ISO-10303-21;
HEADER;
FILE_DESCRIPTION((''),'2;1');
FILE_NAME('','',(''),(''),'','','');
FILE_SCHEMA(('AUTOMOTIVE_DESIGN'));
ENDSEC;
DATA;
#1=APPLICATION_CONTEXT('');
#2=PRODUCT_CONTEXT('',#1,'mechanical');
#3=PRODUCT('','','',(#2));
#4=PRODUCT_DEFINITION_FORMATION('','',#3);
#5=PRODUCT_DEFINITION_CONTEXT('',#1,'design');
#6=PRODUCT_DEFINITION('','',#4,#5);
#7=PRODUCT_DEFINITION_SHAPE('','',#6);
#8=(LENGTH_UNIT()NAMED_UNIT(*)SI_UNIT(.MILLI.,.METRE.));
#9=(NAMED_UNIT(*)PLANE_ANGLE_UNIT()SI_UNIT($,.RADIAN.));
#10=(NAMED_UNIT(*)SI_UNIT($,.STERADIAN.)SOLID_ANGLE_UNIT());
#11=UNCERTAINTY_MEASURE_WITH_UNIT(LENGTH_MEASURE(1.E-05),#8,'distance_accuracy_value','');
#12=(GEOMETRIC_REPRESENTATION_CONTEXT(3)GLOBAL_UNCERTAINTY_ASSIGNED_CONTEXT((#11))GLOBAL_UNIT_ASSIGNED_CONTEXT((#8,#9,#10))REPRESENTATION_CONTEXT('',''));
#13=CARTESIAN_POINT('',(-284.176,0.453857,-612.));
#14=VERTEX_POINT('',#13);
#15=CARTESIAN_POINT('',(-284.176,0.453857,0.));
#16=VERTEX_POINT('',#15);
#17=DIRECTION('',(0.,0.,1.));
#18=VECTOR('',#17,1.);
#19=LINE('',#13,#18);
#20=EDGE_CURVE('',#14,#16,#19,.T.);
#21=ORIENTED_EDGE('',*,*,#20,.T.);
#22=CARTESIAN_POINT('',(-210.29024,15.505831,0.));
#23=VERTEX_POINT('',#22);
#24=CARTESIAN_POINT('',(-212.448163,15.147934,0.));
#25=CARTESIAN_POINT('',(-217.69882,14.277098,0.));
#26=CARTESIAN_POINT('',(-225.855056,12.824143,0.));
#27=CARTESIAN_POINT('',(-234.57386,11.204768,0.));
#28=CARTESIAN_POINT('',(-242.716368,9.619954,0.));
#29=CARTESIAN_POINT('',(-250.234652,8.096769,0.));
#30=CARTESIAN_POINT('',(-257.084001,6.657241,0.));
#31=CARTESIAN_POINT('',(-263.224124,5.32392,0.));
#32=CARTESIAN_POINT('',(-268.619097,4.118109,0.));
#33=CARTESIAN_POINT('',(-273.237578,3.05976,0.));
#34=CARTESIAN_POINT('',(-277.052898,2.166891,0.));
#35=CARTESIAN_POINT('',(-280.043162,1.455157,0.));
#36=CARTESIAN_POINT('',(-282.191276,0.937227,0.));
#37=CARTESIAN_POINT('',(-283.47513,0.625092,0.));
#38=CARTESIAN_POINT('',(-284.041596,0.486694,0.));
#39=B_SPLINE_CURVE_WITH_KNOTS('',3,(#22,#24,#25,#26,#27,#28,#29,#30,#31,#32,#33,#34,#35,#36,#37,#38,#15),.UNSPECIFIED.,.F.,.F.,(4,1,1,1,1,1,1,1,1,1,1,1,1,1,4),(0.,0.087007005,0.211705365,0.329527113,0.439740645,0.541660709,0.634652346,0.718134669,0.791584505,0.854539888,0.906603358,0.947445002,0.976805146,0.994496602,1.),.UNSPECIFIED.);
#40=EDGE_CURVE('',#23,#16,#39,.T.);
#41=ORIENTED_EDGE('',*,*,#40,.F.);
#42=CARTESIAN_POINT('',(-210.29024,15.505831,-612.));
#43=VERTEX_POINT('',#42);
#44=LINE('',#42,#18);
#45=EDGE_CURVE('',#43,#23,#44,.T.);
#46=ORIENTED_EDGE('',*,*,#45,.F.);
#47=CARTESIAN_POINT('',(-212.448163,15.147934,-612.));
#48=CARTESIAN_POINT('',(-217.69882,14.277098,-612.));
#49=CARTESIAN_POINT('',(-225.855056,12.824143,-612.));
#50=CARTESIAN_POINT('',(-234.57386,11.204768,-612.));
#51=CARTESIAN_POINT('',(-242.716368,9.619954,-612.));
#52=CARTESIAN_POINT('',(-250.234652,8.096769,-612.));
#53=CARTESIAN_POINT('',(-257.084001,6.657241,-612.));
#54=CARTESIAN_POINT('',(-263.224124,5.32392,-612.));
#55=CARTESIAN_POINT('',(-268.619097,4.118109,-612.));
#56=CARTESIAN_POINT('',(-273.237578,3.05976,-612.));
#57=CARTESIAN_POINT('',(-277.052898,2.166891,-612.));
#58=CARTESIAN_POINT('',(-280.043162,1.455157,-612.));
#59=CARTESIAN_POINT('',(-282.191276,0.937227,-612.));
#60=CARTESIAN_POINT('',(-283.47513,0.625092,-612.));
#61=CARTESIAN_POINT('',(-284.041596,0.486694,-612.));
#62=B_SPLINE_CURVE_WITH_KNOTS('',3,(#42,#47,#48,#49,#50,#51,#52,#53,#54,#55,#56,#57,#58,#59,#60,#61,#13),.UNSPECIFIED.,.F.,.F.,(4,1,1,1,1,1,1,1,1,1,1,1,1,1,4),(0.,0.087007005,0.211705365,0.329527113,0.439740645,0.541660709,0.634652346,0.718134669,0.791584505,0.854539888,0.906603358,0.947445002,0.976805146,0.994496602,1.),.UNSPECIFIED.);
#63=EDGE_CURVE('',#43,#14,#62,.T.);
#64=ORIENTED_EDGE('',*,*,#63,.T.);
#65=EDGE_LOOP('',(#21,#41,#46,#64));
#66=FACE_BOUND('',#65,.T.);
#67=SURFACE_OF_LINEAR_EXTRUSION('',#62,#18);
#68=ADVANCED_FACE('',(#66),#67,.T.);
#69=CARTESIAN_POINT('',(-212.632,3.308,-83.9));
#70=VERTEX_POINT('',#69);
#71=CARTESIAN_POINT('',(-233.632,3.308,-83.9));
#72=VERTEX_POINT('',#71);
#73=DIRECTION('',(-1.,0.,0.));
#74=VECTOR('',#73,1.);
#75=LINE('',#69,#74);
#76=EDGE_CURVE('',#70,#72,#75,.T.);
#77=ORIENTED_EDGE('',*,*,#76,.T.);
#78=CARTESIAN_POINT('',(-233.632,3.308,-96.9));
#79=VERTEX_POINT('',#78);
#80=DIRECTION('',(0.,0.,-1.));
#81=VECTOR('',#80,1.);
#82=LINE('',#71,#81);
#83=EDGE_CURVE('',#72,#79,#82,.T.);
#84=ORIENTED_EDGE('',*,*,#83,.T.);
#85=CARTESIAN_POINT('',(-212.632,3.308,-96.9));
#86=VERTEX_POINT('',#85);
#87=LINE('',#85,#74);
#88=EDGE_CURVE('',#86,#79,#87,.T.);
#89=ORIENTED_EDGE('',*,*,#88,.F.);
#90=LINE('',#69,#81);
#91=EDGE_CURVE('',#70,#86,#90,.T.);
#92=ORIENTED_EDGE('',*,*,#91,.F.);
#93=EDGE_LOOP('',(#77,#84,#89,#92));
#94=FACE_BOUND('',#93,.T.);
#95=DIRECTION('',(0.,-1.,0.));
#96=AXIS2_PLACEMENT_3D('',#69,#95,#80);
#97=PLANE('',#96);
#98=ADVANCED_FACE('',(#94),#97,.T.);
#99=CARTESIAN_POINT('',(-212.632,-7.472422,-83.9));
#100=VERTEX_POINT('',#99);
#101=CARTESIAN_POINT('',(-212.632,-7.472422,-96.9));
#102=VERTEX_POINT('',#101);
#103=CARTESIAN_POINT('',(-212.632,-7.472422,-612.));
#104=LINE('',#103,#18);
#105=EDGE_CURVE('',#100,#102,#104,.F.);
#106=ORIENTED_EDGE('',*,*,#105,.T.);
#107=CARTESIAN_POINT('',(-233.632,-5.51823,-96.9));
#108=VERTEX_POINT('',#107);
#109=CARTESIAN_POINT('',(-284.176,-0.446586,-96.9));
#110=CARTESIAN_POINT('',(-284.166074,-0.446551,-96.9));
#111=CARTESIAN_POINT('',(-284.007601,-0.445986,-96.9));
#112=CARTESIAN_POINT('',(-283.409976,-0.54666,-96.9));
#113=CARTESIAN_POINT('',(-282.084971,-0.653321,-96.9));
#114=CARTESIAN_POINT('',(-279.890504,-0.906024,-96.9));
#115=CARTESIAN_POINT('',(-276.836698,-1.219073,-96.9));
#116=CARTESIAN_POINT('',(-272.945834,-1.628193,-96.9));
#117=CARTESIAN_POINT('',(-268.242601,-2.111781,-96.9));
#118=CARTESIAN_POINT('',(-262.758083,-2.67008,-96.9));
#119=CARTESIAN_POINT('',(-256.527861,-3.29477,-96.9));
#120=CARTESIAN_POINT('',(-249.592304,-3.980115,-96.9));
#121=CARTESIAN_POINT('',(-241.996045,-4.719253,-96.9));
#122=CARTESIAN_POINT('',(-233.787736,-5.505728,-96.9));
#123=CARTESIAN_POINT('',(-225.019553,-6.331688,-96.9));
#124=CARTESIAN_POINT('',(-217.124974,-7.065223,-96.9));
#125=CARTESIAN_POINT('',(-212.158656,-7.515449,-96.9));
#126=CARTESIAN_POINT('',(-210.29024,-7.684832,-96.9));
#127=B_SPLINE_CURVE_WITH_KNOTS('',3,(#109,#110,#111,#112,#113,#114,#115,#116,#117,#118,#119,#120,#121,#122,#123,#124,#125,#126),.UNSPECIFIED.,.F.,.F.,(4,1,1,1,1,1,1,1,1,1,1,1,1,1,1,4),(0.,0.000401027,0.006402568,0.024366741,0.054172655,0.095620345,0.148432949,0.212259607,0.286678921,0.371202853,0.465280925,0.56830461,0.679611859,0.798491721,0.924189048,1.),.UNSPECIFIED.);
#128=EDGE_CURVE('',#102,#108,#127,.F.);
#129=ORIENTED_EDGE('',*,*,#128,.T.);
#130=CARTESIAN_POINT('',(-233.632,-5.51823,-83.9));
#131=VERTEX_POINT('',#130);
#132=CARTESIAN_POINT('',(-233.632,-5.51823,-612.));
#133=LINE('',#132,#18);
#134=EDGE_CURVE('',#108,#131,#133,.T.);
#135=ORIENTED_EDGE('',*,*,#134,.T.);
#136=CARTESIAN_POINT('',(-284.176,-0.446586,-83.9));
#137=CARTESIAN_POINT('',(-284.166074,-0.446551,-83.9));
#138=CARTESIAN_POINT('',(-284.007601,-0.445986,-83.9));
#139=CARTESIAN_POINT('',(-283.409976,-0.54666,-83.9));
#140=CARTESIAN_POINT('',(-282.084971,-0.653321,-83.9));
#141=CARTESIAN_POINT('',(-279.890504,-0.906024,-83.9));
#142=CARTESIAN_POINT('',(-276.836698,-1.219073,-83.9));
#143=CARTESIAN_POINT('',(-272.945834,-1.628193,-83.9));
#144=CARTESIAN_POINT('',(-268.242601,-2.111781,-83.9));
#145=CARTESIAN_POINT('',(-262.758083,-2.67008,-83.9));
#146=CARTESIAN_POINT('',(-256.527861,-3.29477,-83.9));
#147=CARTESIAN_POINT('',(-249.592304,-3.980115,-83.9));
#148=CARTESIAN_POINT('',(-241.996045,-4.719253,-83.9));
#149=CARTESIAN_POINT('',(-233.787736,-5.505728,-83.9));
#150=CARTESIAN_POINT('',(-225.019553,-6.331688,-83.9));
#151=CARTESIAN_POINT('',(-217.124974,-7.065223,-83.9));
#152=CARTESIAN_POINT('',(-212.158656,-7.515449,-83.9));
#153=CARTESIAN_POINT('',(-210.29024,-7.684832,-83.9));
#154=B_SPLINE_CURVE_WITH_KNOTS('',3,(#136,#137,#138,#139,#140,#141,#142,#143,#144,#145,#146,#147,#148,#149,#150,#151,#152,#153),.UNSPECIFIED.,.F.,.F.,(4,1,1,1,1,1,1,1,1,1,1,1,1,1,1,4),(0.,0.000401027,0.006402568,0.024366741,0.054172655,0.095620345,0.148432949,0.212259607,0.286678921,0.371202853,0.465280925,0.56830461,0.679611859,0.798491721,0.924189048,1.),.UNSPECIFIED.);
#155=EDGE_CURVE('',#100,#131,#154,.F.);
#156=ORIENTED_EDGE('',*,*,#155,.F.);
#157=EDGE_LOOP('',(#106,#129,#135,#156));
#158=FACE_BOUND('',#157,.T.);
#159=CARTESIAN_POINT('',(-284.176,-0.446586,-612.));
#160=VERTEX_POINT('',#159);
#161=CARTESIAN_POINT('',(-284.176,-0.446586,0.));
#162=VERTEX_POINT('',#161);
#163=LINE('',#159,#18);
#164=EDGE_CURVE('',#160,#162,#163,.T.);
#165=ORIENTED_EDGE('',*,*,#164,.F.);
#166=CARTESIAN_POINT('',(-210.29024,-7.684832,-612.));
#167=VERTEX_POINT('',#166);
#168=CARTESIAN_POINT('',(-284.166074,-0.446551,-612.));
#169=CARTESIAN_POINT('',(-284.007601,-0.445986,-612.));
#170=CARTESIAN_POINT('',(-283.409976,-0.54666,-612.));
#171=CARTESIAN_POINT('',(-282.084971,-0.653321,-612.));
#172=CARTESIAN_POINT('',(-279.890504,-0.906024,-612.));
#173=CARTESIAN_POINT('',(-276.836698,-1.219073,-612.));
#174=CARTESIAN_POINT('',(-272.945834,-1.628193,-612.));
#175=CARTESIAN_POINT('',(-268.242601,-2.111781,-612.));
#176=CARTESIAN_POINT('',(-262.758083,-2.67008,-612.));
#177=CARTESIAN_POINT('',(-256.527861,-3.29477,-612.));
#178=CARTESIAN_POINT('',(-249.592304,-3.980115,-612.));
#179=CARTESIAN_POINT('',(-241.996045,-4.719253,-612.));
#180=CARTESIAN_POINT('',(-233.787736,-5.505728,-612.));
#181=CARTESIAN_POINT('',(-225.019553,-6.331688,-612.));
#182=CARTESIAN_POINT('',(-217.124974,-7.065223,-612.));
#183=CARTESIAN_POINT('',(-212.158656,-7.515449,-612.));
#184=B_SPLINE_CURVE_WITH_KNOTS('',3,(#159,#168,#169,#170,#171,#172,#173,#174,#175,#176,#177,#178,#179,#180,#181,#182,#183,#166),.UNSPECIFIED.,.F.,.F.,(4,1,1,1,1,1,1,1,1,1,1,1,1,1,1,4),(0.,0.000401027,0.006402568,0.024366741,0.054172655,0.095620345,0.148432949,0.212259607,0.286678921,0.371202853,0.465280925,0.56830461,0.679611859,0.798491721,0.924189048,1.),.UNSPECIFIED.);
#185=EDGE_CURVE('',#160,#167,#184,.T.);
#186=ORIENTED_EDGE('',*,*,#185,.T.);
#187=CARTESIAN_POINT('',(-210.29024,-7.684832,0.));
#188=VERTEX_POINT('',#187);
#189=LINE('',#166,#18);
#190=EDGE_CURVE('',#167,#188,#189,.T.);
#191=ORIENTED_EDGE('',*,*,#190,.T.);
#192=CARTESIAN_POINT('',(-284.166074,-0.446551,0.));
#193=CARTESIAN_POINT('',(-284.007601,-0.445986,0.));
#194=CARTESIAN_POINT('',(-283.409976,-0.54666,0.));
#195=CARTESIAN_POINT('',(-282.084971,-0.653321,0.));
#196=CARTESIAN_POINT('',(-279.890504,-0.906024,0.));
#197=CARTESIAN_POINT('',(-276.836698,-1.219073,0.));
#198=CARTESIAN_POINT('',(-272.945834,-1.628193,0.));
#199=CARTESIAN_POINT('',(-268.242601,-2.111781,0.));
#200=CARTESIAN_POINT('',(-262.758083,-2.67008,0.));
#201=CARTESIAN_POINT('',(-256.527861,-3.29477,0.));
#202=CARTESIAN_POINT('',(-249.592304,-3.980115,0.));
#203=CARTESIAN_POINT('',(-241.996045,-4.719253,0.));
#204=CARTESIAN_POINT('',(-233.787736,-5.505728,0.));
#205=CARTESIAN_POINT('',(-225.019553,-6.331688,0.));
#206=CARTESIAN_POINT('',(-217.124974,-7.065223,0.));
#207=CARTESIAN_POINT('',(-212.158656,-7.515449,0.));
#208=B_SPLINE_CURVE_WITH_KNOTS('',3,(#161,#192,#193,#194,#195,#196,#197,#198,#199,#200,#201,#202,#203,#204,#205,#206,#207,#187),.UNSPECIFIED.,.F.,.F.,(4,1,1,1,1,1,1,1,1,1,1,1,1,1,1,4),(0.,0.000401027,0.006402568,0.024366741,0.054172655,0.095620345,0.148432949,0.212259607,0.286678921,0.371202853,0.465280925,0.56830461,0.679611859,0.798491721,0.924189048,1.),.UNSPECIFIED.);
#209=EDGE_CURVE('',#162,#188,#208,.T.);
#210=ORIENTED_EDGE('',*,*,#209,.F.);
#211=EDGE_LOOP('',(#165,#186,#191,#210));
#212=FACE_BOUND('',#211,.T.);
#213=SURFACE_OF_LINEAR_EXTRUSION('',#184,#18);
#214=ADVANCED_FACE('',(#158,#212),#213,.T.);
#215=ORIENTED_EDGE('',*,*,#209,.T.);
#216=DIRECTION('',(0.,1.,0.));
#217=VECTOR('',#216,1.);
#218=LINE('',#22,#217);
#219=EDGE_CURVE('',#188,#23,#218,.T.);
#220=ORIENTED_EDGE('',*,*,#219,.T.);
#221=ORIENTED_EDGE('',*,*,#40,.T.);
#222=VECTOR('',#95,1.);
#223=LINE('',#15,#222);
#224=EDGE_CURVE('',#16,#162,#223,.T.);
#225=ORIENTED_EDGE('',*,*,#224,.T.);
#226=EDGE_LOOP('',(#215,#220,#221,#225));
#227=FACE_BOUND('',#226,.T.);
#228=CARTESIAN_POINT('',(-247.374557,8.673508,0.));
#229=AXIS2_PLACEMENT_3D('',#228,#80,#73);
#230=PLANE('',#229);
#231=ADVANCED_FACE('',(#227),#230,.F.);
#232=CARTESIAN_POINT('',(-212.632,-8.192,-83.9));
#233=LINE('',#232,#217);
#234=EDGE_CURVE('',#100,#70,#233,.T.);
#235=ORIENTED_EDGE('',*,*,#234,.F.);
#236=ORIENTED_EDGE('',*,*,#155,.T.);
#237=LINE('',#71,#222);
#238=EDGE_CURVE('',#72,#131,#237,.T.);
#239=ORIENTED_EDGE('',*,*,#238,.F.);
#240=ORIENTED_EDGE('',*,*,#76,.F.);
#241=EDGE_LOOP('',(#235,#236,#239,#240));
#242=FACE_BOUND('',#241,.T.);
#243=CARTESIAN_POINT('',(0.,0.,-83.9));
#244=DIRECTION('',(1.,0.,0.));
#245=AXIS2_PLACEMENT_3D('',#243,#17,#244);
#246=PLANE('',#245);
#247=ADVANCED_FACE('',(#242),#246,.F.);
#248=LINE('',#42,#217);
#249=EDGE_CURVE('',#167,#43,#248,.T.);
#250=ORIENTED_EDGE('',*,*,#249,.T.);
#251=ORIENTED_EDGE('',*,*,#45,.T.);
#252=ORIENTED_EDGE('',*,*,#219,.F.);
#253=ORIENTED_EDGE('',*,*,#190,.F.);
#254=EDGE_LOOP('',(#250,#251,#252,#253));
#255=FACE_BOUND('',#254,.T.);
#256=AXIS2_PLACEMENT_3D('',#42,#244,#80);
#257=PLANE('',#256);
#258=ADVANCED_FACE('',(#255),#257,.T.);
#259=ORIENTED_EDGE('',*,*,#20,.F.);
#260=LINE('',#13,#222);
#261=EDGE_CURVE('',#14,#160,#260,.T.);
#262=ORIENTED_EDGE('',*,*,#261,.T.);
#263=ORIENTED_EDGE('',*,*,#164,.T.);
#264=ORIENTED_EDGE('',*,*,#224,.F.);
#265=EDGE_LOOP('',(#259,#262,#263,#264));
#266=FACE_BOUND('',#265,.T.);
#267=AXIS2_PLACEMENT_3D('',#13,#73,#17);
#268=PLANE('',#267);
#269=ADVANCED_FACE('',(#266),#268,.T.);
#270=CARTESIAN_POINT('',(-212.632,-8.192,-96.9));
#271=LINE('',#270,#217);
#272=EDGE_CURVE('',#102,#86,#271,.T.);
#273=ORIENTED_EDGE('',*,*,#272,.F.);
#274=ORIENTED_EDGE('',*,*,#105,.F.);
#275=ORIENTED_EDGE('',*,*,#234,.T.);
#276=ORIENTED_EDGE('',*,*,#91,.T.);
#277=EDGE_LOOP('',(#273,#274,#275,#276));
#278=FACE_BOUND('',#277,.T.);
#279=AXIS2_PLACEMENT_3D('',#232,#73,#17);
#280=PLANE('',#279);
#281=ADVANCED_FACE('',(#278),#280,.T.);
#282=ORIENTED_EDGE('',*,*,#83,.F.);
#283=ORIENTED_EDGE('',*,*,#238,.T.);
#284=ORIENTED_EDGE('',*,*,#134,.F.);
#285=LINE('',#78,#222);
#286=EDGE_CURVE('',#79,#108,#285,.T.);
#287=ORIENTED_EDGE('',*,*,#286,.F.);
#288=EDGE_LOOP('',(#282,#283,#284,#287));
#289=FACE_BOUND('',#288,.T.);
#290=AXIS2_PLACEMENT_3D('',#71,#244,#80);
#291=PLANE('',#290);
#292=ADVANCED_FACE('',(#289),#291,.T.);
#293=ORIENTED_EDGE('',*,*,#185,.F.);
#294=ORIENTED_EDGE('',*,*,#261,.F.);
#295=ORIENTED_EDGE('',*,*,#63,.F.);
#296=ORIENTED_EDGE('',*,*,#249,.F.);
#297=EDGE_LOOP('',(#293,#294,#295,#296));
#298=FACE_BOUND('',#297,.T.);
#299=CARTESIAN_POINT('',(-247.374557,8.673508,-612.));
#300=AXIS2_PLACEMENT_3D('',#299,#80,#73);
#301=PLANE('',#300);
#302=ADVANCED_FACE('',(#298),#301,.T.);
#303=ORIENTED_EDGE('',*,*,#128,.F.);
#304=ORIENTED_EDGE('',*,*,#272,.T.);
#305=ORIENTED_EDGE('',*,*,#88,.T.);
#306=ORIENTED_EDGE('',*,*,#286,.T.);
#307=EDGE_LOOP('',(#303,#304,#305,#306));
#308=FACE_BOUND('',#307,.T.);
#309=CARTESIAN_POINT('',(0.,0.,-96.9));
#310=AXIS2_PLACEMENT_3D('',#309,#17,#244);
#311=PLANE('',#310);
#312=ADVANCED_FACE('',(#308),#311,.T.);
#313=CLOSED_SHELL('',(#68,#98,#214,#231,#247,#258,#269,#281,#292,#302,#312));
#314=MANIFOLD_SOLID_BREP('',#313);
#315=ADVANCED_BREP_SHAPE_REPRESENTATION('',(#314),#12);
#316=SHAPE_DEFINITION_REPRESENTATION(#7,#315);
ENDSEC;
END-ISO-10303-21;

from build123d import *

# Parameters (mm, degrees)
BOSS_EXTRUDE1_DEPTH = 612
SKETCH2_W           = 21
SKETCH2_H           = 11.5
CUT_EXTRUDE1_DEPTH  = 13


with BuildPart() as part:
    # Sketch1 → Boss-Extrude1 (new body)
    with BuildSketch(Plane.XY):
        with BuildLine():
            Line((-210.29024, 15.505831452), (-210.29024, -7.684831645))
            add(Edge.make_bspline(
                [(-210.29024, -7.684831645), (-212.158655952, -7.515448816), (-217.124973789, -7.06522307), (-225.019553341, -6.331687852), (-233.787735511, -5.505727752), (-241.996045088, -4.71925279), (-249.592304467, -3.9801145), (-256.527861272, -3.294770041), (-262.758082866, -2.670079607), (-268.242600772, -2.111780802), (-272.945834406, -1.628193193), (-276.836698489, -1.219072841), (-279.890503934, -0.906023666), (-282.084971372, -0.653321358), (-283.409976301, -0.546659805), (-284.007600869, -0.445986487), (-284.166073983, -0.446550556), (-284.176, -0.446585887)],
                knots=[0, 0, 0, 0, 0.075810952, 0.201508279, 0.320388141, 0.43169539, 0.534719075, 0.628797147, 0.713321079, 0.787740393, 0.851567051, 0.904379655, 0.945827345, 0.975633259, 0.993597432, 0.999598973, 1, 1, 1, 1], degree=3))
            Line((-284.176, -0.446585887), (-284.176, 0.453857008))
            add(Edge.make_bspline(
                [(-210.29024, 15.505831452), (-212.448163353, 15.147934069), (-217.698820474, 14.277098484), (-225.855056301, 12.82414284), (-234.573859634, 11.204768289), (-242.716368314, 9.619953964), (-250.234652113, 8.096769218), (-257.084001233, 6.657241094), (-263.224123516, 5.323919979), (-268.619097385, 4.11810916), (-273.237578484, 3.059760068), (-277.052897895, 2.166891095), (-280.04316213, 1.455156882), (-282.19127614, 0.937226777), (-283.475130043, 0.62509225), (-284.041595768, 0.4866944), (-284.176, 0.453857008)],
                knots=[0, 0, 0, 0, 0.087007005, 0.211705365, 0.329527113, 0.439740645, 0.541660709, 0.634652346, 0.718134669, 0.791584505, 0.854539888, 0.906603358, 0.947445002, 0.976805146, 0.994496602, 1, 1, 1, 1], degree=3))
        make_face()
    extrude(amount=-BOSS_EXTRUDE1_DEPTH)

    # Sketch2 → Cut-Extrude1 (cut)
    with BuildSketch(Plane.XY.offset(-96.9)):
        with Locations((-223.132, -2.442)):
            Rectangle(SKETCH2_W, SKETCH2_H)
    extrude(amount=CUT_EXTRUDE1_DEPTH, mode=Mode.SUBTRACT)


solid = part.part
